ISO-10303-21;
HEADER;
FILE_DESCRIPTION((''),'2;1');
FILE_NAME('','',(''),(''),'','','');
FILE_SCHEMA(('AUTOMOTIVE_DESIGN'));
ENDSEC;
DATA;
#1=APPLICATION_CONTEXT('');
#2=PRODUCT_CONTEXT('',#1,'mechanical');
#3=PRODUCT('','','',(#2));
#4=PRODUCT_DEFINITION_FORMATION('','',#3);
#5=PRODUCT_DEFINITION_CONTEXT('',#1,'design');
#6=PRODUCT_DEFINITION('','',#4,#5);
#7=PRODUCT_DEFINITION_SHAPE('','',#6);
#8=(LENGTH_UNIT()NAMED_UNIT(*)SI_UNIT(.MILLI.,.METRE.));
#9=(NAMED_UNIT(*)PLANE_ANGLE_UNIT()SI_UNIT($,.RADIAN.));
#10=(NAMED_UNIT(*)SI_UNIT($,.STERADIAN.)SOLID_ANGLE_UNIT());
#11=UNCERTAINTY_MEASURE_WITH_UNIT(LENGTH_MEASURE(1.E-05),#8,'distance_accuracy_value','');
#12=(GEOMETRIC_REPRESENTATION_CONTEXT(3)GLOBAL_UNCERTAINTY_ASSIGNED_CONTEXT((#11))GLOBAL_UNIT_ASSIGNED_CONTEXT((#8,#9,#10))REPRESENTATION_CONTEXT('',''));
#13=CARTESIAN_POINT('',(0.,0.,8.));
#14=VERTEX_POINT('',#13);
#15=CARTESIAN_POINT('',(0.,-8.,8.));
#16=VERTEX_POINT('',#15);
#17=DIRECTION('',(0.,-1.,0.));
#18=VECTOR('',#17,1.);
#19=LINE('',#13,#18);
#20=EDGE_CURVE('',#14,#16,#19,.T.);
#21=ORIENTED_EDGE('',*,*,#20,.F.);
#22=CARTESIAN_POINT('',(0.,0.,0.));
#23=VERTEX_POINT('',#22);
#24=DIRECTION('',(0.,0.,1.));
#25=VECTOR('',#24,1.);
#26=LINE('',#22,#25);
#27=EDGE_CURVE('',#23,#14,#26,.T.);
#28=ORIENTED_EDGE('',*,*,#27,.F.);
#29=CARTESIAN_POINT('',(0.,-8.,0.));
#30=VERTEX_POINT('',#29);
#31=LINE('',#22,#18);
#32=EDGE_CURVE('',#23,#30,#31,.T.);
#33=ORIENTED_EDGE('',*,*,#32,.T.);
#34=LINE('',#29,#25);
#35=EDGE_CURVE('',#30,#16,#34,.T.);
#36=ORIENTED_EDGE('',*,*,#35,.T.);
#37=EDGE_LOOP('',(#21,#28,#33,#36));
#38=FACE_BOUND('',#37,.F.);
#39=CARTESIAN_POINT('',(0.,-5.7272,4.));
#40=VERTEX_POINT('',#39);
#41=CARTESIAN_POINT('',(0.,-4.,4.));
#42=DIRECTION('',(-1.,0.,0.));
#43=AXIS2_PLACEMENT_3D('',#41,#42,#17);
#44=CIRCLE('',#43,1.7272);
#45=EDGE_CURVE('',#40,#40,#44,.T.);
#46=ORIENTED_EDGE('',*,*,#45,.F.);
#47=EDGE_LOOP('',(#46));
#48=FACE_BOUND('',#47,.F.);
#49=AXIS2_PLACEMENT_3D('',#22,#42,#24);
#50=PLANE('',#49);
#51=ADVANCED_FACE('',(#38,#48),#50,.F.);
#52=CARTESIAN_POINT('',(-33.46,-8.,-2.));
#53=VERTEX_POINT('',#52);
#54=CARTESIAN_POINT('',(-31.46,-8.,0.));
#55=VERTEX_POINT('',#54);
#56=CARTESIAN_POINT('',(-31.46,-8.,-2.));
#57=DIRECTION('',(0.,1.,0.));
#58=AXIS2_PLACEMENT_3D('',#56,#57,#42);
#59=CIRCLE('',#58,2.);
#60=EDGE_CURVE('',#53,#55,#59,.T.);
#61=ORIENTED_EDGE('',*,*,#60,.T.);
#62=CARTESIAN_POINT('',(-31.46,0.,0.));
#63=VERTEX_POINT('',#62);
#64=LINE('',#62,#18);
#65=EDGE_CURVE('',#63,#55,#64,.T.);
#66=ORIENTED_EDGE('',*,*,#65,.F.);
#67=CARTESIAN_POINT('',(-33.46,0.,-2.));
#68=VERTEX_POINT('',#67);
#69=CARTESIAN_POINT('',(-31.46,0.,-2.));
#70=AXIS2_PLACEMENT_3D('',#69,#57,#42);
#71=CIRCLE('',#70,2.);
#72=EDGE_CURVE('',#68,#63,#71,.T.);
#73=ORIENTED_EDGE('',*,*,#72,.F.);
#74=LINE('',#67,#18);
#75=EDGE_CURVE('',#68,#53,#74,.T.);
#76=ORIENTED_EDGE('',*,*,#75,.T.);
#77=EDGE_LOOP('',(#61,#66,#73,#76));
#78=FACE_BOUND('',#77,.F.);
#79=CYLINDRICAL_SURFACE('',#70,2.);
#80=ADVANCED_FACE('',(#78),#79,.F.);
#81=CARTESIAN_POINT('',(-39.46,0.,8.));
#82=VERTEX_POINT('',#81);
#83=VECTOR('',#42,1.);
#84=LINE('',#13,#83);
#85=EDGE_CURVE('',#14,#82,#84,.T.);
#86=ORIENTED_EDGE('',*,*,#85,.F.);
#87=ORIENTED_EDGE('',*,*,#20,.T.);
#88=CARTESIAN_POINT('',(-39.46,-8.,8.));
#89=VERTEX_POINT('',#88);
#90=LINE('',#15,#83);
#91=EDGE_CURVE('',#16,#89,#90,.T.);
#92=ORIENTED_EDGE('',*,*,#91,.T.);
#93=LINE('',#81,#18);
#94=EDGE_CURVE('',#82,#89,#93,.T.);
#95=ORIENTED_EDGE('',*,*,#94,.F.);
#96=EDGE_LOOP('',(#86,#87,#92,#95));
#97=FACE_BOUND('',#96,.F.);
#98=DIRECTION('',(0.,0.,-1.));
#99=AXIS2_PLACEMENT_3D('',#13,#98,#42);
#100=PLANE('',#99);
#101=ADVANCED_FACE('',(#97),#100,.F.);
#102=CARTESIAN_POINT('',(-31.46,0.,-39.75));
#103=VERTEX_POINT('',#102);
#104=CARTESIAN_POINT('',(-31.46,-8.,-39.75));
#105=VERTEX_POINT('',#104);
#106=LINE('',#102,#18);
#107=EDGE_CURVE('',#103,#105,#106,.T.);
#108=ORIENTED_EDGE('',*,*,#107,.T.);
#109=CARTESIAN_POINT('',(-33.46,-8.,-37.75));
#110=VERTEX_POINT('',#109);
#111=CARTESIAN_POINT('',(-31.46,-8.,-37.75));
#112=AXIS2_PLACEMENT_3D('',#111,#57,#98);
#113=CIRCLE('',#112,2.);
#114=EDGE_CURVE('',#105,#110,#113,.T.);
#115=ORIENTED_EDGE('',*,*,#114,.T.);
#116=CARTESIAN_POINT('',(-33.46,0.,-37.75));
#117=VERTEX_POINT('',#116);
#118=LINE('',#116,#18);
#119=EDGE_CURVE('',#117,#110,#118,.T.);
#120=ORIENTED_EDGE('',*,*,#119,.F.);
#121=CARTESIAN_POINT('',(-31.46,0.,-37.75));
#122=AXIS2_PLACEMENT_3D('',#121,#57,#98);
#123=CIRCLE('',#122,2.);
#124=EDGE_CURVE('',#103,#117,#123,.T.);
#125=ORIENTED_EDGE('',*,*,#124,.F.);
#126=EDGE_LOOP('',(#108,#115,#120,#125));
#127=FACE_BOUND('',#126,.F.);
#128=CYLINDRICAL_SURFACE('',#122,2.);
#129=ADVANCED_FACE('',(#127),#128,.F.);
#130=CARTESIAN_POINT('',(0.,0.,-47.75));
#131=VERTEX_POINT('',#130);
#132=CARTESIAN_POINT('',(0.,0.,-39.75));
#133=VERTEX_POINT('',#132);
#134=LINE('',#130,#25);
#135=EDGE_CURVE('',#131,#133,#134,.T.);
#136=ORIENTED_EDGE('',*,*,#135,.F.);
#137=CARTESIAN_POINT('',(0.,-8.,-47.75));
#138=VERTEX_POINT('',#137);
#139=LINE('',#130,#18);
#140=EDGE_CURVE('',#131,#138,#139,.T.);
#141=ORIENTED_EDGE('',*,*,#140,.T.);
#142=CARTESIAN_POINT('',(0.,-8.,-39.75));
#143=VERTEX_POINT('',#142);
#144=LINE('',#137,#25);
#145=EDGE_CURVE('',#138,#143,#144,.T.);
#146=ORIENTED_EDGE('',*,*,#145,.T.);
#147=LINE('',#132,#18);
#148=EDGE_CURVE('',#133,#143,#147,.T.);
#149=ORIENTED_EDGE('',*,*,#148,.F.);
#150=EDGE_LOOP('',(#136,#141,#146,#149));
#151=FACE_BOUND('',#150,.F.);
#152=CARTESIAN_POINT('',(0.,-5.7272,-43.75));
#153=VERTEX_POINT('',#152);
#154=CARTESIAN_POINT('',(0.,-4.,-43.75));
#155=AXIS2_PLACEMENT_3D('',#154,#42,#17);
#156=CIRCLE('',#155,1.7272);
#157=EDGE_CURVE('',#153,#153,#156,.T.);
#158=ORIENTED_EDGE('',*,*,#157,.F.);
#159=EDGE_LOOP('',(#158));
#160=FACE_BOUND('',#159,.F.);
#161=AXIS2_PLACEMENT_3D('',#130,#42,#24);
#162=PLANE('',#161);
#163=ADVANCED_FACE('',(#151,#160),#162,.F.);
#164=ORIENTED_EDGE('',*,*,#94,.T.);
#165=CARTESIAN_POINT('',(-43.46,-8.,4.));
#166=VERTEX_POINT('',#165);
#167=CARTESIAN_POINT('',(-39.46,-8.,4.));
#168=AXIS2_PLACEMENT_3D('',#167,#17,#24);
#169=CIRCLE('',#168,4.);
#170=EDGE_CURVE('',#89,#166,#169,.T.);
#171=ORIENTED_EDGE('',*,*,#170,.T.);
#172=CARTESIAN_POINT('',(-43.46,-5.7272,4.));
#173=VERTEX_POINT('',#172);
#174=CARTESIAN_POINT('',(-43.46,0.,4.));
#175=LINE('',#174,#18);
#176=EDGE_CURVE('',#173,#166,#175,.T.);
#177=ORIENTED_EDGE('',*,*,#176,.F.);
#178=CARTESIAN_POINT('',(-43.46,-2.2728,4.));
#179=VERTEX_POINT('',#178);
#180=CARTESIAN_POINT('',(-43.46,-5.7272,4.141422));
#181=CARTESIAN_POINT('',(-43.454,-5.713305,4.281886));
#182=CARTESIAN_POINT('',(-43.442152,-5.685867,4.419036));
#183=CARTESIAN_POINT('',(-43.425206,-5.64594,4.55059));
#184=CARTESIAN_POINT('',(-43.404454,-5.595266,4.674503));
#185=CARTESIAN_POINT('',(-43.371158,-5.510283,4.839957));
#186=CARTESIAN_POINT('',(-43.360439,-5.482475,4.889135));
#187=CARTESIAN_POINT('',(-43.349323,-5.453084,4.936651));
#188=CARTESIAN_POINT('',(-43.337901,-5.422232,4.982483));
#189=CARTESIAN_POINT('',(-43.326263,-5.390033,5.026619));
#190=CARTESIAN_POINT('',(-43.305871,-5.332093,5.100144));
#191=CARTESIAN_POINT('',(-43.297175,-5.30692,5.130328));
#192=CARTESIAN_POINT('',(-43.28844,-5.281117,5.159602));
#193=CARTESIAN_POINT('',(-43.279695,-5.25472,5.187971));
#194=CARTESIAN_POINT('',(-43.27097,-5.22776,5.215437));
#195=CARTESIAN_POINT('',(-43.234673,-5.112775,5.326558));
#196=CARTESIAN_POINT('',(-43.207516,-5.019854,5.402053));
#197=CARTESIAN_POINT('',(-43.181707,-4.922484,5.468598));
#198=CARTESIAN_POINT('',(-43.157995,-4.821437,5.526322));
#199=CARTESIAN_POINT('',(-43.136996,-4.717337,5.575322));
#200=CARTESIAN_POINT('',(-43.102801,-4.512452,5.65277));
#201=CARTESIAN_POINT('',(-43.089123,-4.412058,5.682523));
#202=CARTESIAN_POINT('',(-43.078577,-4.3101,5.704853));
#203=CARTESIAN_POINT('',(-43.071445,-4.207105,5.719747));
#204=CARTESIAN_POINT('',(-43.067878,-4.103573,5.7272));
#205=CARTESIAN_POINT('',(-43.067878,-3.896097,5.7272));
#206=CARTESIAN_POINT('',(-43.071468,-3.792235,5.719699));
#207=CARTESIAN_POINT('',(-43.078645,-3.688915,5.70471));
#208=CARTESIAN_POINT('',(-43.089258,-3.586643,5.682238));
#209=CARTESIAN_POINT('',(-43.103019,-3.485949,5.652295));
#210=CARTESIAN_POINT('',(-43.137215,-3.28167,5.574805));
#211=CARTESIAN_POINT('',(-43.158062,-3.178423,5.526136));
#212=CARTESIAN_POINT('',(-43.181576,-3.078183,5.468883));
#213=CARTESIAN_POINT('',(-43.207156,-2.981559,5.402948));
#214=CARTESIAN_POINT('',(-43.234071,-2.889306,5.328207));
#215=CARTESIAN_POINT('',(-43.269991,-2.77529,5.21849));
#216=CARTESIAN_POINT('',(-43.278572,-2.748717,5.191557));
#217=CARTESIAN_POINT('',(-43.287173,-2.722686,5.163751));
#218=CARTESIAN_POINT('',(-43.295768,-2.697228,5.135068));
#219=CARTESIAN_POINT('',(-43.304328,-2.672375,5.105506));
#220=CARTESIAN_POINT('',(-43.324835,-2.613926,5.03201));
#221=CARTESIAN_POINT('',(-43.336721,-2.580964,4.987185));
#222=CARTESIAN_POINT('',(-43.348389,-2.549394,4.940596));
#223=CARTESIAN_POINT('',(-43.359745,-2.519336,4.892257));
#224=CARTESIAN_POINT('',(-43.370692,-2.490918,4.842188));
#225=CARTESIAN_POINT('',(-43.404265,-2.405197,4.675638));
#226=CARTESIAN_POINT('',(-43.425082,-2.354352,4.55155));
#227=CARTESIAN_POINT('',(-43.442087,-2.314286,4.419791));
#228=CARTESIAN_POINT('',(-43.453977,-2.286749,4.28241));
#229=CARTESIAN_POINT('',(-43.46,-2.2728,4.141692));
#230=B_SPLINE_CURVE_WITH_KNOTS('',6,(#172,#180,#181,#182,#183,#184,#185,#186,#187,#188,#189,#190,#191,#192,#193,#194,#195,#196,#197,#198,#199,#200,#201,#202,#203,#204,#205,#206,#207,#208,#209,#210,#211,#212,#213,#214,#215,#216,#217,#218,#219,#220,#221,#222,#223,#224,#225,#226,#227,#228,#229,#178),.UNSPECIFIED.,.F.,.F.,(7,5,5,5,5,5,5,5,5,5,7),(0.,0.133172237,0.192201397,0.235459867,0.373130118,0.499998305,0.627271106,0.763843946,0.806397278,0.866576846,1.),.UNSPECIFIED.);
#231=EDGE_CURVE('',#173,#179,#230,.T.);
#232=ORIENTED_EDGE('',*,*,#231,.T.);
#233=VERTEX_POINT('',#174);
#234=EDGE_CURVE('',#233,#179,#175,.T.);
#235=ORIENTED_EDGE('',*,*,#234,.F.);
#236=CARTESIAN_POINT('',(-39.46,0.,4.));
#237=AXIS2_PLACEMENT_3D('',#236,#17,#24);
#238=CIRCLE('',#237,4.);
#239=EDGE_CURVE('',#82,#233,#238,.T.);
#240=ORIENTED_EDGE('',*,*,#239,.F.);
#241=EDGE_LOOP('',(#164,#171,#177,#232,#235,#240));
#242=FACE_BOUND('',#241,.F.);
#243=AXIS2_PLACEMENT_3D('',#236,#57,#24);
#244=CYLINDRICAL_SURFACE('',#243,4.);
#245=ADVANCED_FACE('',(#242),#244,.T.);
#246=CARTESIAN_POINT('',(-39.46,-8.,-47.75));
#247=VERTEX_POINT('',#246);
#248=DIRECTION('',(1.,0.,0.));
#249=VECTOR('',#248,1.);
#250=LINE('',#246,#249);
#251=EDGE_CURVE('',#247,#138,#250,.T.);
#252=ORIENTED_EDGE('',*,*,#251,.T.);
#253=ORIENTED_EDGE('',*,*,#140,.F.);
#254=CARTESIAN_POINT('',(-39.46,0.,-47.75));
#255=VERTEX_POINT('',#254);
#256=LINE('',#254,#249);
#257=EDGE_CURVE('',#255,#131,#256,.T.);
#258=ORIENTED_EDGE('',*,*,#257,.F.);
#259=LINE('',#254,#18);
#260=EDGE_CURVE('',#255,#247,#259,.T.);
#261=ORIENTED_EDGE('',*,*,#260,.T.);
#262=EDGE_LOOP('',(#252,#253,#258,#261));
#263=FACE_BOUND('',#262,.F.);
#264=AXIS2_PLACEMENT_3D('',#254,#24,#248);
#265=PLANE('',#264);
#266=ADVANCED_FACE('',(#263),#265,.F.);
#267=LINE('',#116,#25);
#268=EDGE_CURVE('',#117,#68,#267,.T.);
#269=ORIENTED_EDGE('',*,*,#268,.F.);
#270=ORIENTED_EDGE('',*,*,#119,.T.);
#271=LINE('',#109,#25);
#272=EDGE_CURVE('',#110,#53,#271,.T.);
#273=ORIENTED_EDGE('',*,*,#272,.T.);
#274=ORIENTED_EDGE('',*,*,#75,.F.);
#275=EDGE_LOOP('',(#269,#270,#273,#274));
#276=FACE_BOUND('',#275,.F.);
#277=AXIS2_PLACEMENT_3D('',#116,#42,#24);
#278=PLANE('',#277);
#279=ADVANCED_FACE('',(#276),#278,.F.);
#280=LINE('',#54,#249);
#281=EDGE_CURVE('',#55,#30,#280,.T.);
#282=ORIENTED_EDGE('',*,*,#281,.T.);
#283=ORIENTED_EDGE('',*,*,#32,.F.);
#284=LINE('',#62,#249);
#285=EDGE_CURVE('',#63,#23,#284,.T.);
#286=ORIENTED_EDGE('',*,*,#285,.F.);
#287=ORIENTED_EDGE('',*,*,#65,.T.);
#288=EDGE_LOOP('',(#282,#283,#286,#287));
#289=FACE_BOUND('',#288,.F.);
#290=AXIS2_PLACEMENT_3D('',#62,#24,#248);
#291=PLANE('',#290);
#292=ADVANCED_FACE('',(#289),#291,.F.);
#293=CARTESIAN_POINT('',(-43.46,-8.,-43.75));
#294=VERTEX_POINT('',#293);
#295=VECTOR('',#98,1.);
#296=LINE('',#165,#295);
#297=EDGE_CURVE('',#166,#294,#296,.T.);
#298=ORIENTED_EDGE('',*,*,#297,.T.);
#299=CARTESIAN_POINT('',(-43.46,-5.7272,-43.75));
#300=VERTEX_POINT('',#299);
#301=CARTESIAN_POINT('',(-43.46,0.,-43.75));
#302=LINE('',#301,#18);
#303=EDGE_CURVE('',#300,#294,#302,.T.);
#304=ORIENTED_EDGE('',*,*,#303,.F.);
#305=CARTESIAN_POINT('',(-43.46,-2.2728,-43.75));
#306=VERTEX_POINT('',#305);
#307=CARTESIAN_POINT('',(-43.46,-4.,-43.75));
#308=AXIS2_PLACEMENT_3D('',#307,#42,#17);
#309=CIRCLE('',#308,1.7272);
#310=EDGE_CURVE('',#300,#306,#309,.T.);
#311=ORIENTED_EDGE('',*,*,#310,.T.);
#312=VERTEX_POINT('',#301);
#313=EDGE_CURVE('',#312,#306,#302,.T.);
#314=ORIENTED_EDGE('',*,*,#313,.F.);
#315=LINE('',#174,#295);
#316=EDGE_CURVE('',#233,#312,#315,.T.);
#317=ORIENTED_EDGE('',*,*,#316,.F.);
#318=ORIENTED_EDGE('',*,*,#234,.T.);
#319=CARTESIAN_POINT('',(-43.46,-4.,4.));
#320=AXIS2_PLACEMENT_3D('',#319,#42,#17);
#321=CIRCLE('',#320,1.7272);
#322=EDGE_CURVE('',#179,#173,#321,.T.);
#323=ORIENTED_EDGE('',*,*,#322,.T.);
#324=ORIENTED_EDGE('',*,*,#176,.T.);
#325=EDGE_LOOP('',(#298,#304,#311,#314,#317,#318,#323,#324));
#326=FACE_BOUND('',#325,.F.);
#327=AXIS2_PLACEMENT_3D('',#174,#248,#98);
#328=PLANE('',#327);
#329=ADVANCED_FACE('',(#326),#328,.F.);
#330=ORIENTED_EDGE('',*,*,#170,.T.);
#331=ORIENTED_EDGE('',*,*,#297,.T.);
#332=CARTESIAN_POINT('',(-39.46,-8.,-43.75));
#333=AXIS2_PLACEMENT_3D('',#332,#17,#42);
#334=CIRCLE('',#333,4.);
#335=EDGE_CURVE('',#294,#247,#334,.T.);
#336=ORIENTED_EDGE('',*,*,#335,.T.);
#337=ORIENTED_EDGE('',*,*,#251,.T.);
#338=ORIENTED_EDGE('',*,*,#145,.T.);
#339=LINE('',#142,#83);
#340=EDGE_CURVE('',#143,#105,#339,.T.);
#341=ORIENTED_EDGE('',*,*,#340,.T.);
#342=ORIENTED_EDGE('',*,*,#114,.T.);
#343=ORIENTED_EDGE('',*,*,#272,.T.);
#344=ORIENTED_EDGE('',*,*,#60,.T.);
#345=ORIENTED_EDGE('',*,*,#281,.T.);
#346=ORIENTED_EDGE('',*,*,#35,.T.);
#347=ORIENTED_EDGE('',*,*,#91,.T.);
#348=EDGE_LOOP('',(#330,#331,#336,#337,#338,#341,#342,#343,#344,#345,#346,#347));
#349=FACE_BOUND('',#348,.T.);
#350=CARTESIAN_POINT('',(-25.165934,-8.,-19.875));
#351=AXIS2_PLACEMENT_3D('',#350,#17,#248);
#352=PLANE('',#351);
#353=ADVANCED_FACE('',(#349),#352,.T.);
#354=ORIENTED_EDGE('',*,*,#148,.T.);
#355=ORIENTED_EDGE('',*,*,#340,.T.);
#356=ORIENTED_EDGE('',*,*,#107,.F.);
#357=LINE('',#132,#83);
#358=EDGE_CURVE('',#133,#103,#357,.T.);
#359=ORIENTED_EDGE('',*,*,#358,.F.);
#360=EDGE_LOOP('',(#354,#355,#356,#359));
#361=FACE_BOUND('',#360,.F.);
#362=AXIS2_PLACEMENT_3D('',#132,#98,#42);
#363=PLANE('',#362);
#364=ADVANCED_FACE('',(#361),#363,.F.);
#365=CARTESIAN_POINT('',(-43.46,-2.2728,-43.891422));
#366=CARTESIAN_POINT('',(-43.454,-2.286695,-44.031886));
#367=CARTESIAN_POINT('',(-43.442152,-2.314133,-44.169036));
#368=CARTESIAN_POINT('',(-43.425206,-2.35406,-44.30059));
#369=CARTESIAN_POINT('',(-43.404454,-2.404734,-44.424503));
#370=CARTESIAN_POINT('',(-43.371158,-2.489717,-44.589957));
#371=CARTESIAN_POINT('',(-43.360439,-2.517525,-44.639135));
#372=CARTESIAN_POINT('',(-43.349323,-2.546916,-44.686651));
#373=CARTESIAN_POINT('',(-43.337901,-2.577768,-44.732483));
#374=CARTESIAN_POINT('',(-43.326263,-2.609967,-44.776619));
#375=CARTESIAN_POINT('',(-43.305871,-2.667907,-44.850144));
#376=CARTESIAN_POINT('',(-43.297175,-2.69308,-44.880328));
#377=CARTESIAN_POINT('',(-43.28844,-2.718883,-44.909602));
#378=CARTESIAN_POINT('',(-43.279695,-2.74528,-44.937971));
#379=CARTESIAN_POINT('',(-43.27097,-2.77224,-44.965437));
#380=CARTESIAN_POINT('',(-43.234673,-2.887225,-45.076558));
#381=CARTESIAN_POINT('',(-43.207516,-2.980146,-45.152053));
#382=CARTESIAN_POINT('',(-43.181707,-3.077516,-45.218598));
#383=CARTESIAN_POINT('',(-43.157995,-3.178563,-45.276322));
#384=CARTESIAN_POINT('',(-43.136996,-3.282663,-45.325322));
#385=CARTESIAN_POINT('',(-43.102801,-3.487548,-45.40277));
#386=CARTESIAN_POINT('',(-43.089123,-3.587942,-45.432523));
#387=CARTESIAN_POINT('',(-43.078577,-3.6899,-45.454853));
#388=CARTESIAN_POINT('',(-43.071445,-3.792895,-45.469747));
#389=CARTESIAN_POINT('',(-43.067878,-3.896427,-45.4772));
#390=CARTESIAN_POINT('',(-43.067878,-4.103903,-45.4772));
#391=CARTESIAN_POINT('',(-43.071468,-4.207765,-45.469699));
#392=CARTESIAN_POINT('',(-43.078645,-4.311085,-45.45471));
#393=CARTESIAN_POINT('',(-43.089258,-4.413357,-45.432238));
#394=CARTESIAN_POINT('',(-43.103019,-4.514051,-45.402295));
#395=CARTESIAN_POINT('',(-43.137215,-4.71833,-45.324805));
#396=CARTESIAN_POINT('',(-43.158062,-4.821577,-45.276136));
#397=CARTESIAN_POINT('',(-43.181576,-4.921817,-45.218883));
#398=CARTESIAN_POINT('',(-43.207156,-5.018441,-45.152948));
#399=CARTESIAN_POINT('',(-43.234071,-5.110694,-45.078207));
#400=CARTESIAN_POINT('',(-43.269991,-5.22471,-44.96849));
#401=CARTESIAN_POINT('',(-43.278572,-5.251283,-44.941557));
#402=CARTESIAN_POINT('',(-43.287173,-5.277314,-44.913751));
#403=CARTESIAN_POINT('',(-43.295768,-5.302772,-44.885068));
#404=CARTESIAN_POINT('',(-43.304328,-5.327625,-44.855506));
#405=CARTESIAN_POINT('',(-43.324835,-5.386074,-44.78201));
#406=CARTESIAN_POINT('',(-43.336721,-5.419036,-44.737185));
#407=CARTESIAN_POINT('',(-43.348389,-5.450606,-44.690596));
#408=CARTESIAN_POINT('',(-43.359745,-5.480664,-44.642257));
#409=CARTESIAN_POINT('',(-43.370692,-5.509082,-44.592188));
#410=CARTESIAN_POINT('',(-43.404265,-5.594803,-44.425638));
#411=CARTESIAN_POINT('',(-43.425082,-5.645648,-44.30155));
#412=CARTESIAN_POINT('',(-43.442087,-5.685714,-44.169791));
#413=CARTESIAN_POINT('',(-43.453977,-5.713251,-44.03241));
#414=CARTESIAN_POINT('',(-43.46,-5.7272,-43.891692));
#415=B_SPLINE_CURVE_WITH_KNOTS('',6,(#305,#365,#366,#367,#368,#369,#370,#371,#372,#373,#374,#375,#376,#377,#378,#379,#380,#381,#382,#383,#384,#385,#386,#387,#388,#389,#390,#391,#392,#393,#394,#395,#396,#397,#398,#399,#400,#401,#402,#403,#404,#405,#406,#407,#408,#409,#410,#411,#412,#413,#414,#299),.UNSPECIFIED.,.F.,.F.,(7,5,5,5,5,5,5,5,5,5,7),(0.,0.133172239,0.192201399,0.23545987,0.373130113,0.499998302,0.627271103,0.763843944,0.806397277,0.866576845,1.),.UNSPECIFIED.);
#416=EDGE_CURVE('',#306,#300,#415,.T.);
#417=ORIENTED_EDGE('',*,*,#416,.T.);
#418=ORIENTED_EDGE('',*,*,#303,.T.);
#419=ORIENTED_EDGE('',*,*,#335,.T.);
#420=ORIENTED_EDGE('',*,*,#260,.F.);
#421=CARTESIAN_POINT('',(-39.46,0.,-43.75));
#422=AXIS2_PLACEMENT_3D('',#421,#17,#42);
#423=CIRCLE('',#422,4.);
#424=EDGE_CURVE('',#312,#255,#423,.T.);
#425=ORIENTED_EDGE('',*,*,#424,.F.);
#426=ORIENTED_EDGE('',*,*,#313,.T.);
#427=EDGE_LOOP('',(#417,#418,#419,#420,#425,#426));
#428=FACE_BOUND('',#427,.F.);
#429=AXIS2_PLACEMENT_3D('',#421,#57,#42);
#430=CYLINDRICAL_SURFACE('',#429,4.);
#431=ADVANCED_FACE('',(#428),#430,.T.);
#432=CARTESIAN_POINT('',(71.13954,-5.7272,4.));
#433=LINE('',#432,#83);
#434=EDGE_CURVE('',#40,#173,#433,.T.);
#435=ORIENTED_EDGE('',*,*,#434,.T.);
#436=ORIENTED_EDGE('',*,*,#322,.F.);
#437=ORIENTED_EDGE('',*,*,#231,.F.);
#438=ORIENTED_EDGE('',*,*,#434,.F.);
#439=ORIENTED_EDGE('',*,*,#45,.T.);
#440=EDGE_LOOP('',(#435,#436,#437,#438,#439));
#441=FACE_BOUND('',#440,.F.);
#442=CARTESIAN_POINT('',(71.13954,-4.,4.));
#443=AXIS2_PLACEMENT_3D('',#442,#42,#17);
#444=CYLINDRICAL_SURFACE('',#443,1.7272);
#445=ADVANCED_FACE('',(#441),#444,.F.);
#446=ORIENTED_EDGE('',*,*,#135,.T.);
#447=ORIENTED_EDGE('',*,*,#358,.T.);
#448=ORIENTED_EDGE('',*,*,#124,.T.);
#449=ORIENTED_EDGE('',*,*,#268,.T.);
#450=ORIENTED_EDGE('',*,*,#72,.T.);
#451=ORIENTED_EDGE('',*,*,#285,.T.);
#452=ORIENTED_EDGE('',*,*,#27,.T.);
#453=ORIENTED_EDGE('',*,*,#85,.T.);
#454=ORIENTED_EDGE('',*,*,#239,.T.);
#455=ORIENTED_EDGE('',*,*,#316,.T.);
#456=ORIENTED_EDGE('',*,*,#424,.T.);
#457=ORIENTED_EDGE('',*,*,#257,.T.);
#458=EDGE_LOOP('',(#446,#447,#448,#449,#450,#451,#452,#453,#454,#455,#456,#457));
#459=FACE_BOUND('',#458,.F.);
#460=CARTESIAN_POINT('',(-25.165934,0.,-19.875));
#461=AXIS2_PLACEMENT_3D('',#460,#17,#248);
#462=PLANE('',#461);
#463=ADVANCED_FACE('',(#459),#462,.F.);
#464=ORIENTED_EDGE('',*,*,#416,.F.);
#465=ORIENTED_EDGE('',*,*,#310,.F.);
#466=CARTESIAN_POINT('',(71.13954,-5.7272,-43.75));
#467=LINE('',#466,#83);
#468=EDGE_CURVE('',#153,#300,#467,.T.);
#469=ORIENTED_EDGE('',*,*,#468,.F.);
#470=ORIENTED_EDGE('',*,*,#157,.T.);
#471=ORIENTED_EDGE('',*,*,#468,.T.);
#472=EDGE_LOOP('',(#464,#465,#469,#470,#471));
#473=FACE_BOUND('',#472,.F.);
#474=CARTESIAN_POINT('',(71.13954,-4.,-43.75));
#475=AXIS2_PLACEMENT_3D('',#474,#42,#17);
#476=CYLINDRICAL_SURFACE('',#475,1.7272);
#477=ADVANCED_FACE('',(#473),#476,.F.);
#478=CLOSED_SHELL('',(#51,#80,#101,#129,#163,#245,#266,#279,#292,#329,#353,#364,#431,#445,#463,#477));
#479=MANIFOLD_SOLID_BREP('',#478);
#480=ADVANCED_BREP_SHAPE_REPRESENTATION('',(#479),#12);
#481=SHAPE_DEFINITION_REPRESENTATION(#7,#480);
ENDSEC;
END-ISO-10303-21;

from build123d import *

# Parameters (mm, degrees)
F2_DEPTH = 8
F4_D     = 3.4544


with BuildPart() as f2:
    # F1 (on Front) → F2 (new body)
    with BuildSketch(Plane.XZ):
        with BuildLine():
            Line((-31.46, 0), (0, 0))
            Line((0, 0), (0, 8))
            Line((0, 8), (-39.46, 8))
            ThreePointArc((-39.46, 8), (-42.2884271247, 6.8284271247), (-43.46, 4))
            Line((-43.46, 4), (-43.46, 0))
            Line((-43.46, 0), (-43.46, -43.75))
            ThreePointArc((-43.46, -43.75), (-42.2884271247, -46.5784271247), (-39.46, -47.75))
            Line((-39.46, -47.75), (-33.46, -47.75))
            Line((-33.46, -47.75), (0, -47.75))
            Line((0, -47.75), (0, -39.75))
            Line((0, -39.75), (-31.46, -39.75))
            ThreePointArc((-31.46, -39.75), (-32.8742135624, -39.1642135624), (-33.46, -37.75))
            Line((-33.46, -37.75), (-33.46, -2))
            ThreePointArc((-33.46, -2), (-32.8742135624, -0.5857864376), (-31.46, 0))
        make_face()
    extrude(amount=F2_DEPTH)

    # F4 (through all)
    with Locations(Plane.YZ):
        with Locations((-4, 4), (-4, -43.75)):
            Hole(F4_D / 2)


solid = f2.part
